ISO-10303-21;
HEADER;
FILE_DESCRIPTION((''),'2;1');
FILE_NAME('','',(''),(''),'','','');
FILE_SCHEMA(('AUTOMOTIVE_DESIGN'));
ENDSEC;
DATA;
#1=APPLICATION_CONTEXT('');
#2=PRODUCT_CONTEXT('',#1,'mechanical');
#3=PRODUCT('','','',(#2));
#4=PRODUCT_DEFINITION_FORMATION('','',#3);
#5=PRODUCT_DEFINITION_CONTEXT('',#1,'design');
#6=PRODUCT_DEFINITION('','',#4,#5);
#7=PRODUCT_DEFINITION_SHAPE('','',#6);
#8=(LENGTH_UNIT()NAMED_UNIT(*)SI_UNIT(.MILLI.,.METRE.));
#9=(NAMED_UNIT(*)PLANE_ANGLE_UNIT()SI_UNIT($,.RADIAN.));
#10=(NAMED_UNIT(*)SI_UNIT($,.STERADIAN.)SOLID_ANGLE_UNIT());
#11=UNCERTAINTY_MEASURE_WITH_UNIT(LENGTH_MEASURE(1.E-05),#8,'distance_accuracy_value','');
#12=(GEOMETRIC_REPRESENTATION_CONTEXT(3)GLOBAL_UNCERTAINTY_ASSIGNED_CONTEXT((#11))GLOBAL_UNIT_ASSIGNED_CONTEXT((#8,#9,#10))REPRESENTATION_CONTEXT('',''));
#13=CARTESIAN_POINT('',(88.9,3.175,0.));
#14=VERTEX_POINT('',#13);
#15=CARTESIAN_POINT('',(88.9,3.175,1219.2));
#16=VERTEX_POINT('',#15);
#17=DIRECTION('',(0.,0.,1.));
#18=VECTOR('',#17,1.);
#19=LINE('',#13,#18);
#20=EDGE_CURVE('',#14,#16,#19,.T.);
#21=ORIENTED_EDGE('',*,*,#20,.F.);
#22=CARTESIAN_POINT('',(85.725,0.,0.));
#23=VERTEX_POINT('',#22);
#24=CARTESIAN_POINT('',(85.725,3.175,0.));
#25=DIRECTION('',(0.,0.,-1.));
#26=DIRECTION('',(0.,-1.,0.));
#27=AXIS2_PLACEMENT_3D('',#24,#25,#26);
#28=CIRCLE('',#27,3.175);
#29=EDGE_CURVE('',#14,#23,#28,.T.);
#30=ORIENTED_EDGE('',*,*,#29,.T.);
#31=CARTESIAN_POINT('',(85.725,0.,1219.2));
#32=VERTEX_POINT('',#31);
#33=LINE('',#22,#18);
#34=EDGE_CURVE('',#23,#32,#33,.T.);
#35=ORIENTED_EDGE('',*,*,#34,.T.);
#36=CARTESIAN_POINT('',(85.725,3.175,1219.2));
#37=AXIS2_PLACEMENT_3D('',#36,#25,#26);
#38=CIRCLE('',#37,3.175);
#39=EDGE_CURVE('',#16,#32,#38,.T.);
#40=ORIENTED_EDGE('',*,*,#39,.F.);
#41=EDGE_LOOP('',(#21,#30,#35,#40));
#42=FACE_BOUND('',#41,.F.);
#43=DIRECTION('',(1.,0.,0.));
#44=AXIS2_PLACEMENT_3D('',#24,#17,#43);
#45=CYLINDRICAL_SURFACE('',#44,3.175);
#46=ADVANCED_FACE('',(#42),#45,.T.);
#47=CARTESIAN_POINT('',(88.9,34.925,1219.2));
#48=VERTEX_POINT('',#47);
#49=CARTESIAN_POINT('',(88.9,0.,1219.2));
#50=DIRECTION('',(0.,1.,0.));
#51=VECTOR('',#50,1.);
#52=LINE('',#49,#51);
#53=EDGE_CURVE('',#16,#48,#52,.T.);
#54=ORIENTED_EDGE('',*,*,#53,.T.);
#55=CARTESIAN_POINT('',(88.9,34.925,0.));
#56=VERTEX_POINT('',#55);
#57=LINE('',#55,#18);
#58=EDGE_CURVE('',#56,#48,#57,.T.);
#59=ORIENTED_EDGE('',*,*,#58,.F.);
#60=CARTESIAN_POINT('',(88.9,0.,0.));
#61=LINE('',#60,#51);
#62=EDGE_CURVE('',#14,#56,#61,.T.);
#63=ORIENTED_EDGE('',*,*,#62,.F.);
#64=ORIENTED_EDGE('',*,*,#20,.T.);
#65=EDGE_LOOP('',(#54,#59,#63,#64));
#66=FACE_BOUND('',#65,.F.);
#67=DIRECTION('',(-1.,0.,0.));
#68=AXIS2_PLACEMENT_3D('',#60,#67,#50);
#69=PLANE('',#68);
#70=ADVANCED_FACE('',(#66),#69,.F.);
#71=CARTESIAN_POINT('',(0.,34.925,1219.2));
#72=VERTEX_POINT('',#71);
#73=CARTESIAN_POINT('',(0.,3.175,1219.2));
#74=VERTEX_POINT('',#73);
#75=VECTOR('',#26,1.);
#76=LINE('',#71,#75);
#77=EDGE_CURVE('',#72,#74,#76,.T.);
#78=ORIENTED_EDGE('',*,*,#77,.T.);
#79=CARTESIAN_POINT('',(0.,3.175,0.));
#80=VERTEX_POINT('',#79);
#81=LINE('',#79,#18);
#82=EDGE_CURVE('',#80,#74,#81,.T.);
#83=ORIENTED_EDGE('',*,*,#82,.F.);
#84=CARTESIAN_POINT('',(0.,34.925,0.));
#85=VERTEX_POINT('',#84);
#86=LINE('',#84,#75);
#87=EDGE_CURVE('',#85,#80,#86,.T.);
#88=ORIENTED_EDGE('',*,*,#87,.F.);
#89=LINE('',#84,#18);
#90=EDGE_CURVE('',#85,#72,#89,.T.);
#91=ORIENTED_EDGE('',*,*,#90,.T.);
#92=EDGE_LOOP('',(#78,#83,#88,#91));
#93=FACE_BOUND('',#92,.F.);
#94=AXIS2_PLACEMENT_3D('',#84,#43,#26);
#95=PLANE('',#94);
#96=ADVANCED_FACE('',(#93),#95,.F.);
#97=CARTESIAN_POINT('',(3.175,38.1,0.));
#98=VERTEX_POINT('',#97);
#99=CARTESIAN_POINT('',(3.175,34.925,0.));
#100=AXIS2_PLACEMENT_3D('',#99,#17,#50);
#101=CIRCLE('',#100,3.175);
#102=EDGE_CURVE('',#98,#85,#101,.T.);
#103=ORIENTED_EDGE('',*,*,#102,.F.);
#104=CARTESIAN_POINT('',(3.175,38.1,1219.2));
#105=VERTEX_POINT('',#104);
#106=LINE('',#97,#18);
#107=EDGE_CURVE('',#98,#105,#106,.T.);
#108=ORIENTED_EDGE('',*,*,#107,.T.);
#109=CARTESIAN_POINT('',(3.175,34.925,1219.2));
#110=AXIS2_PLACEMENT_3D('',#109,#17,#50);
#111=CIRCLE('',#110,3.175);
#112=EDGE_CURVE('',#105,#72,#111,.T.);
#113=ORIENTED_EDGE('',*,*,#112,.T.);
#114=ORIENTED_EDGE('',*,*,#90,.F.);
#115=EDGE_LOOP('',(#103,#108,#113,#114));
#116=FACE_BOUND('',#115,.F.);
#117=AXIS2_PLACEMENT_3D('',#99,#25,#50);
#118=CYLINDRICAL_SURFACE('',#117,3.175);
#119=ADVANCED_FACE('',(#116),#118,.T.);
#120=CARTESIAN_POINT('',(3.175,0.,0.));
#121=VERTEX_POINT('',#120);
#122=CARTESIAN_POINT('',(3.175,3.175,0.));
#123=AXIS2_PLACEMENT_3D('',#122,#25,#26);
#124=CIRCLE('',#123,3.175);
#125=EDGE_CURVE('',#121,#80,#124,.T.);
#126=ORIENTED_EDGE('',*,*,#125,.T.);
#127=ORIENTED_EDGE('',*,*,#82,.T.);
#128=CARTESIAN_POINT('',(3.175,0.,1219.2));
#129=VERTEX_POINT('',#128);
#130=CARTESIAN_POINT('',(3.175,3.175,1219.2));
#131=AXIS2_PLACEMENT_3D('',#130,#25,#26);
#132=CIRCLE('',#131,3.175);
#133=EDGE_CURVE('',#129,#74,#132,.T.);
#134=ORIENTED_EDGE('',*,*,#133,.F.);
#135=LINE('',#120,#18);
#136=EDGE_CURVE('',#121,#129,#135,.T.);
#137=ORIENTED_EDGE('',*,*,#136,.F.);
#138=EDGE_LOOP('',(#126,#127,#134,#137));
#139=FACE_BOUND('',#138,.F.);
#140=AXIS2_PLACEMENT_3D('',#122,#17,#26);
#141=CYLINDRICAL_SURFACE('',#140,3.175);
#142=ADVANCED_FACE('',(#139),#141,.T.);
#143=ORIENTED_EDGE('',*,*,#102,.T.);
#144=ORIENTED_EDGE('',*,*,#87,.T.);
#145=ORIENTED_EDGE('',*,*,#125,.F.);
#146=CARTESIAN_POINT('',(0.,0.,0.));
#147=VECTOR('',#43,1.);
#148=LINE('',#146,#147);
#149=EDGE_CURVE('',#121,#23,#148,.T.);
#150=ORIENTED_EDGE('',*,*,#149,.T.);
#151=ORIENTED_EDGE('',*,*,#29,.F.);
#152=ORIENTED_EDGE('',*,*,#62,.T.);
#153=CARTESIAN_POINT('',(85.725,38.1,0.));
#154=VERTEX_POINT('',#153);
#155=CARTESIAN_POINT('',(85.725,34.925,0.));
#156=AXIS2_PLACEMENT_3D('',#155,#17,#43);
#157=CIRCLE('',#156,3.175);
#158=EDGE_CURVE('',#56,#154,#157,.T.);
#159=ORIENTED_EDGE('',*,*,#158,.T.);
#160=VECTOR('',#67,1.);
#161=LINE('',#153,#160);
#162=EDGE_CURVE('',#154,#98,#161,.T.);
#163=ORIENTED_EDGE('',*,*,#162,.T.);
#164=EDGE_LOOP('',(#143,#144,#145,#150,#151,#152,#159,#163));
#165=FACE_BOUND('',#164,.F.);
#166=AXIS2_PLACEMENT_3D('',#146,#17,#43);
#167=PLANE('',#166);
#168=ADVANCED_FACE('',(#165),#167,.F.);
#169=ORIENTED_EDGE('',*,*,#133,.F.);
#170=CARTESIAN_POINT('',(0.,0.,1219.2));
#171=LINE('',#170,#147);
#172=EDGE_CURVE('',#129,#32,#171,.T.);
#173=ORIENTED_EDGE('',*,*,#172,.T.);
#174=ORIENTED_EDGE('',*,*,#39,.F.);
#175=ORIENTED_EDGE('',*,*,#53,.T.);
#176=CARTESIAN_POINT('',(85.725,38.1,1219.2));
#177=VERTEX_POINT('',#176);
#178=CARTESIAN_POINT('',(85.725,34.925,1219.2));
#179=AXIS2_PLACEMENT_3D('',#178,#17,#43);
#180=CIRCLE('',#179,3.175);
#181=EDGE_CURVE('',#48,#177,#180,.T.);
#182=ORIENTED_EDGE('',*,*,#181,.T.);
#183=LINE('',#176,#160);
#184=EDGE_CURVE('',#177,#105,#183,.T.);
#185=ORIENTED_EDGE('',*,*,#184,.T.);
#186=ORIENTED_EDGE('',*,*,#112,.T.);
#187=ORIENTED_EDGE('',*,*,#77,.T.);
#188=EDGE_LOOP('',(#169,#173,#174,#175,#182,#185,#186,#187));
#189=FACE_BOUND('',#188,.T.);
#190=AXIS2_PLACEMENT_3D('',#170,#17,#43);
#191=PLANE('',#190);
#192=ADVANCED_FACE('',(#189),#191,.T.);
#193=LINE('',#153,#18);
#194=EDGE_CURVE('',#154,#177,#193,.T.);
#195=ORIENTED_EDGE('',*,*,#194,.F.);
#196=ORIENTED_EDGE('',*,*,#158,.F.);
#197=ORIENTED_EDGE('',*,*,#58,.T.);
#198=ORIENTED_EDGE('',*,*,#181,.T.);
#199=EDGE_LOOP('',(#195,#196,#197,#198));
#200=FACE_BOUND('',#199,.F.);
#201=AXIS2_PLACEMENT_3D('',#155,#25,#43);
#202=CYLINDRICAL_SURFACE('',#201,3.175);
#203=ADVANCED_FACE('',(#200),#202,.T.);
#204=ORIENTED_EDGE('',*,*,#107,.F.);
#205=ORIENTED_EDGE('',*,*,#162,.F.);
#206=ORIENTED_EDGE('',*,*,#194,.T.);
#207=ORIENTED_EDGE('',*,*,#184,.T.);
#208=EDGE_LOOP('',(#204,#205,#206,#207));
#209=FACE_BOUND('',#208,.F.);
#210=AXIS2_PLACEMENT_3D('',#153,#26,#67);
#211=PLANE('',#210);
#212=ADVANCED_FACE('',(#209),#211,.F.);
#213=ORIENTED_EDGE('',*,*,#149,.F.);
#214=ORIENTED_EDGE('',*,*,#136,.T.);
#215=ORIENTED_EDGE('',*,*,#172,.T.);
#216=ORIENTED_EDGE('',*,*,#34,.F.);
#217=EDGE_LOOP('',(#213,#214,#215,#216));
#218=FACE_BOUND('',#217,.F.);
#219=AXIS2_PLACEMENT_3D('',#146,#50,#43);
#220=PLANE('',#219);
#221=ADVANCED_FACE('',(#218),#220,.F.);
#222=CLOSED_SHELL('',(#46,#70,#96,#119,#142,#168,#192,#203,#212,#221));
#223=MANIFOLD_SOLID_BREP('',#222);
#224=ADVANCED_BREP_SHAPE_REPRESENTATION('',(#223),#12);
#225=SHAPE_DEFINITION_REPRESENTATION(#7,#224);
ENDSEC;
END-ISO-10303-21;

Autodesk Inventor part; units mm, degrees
ref_plane "YZ Plane" through (0, 0, 0) normal (1, 0, 0) x (0, 1, 0)
ref_plane "XZ Plane" through (0, 0, 0) normal (0, 1, 0) x (-1, 0, 0)
ref_plane "XY Plane" through (0, 0, 0) normal (0, 0, 1) x (1, 0, 0)
sketch "Sketch1" plane through (0, 0, 0) normal (0, 0, 1) x (1, 0, 0)
  line L0 (0, 0) -> (88.9, 0)
  line L1 (88.9, 0) -> (88.9, 34.925)
  line L2 (85.725, 38.1) -> (3.175, 38.1)
  line L3 (0, 34.925) -> (0, 0)
  arc A0 (3.175, 38.1) -> (0, 34.925) centre (3.175, 34.925) ccw
  arc A1 (88.9, 34.925) -> (85.725, 38.1) centre (85.725, 34.925) ccw
  point P0 (88.9, 38.1)
  point P1 (0, 38.1)
  dimension "Width" = 88.9
  dimension "Height" = 38.1
  dimension "d2" = 3.175
extrude "Extrusion1" add sketch "Sketch1" along normal blind 1219.2
fillet "Fillet1" radius 3.175 1 edges at (88.9, 0, 609.6)
fillet "Fillet2" radius 3.175 1 edges at (0, 0, 609.6)
properties part number "2x4x48" material "Wood (Oak)"
